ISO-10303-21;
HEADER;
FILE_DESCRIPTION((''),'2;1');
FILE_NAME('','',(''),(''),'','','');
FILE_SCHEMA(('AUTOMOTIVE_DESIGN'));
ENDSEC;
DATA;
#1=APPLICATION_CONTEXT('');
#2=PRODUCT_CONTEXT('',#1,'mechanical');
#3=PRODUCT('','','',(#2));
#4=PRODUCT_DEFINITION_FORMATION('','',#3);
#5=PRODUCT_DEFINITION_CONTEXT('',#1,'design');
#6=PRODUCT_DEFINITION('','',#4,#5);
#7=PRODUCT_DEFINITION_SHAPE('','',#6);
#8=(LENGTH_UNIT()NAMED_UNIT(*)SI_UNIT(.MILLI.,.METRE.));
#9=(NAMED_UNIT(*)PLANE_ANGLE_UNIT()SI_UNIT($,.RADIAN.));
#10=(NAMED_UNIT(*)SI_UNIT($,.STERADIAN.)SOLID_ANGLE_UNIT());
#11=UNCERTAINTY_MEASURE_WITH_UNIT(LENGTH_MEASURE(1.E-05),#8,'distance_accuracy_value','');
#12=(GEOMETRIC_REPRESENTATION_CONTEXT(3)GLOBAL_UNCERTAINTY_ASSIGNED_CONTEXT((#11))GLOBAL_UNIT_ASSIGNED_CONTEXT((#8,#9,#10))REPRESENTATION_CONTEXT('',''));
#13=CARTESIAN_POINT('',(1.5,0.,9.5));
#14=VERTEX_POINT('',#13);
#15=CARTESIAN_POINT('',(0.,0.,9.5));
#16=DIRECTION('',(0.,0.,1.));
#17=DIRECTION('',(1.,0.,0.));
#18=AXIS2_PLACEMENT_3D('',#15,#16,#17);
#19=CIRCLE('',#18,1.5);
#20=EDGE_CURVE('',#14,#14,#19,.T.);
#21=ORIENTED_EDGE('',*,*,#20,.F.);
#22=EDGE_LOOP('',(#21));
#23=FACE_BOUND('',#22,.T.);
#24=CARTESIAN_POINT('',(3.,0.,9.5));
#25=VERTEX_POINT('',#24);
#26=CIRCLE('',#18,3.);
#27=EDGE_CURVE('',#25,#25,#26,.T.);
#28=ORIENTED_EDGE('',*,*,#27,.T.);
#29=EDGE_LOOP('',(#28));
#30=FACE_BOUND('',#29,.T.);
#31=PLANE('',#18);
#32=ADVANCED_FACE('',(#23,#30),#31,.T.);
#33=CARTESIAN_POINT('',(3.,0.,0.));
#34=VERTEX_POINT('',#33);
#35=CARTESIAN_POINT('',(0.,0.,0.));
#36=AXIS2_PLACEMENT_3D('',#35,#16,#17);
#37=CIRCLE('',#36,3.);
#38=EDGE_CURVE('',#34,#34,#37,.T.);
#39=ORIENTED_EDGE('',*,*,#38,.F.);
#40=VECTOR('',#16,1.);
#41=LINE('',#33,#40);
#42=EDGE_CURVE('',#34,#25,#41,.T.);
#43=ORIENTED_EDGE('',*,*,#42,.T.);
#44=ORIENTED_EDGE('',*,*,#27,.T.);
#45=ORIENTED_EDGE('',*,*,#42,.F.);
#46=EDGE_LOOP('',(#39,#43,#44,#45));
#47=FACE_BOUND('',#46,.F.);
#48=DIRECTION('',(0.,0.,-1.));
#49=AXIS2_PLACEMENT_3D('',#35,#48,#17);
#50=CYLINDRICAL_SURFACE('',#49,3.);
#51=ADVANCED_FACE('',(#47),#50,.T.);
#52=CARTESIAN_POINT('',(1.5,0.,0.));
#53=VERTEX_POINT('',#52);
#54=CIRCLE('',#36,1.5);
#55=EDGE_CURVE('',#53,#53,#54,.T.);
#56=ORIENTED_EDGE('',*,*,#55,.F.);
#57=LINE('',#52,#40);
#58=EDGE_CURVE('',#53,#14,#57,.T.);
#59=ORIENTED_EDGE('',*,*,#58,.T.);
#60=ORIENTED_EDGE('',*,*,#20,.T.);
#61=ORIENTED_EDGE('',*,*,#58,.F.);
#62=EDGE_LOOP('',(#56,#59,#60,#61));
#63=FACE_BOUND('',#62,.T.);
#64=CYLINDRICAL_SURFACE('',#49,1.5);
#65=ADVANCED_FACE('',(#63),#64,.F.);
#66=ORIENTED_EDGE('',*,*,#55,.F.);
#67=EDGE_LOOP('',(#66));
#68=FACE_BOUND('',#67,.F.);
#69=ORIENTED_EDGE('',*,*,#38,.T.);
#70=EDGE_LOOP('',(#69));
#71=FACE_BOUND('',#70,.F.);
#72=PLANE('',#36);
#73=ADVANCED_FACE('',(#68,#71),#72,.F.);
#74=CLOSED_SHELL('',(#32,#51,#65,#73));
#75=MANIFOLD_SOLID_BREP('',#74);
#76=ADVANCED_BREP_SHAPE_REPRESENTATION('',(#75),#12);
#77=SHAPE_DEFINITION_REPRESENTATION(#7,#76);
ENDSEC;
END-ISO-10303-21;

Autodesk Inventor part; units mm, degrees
ref_plane "YZ Plane" through (0, 0, 0) normal (1, 0, 0) x (0, 1, 0)
ref_plane "XZ Plane" through (0, 0, 0) normal (0, 1, 0) x (-1, 0, 0)
ref_plane "XY Plane" through (0, 0, 0) normal (0, 0, 1) x (1, 0, 0)
sketch "スケッチ1" plane through (0, 0, 0) normal (0, 0, 1) x (1, 0, 0)
  circle A0 centre (0, 0) radius 3
  circle A1 centre (0, 0) radius 1.5
  dimension "d0" = 6
  dimension "d1" = 3
extrude "押し出し1" add sketch "スケッチ1" along normal blind 9.5
properties part number "スペーサーm3-9.5　簡易筒型" material "アルミニウム 2014-T4"
